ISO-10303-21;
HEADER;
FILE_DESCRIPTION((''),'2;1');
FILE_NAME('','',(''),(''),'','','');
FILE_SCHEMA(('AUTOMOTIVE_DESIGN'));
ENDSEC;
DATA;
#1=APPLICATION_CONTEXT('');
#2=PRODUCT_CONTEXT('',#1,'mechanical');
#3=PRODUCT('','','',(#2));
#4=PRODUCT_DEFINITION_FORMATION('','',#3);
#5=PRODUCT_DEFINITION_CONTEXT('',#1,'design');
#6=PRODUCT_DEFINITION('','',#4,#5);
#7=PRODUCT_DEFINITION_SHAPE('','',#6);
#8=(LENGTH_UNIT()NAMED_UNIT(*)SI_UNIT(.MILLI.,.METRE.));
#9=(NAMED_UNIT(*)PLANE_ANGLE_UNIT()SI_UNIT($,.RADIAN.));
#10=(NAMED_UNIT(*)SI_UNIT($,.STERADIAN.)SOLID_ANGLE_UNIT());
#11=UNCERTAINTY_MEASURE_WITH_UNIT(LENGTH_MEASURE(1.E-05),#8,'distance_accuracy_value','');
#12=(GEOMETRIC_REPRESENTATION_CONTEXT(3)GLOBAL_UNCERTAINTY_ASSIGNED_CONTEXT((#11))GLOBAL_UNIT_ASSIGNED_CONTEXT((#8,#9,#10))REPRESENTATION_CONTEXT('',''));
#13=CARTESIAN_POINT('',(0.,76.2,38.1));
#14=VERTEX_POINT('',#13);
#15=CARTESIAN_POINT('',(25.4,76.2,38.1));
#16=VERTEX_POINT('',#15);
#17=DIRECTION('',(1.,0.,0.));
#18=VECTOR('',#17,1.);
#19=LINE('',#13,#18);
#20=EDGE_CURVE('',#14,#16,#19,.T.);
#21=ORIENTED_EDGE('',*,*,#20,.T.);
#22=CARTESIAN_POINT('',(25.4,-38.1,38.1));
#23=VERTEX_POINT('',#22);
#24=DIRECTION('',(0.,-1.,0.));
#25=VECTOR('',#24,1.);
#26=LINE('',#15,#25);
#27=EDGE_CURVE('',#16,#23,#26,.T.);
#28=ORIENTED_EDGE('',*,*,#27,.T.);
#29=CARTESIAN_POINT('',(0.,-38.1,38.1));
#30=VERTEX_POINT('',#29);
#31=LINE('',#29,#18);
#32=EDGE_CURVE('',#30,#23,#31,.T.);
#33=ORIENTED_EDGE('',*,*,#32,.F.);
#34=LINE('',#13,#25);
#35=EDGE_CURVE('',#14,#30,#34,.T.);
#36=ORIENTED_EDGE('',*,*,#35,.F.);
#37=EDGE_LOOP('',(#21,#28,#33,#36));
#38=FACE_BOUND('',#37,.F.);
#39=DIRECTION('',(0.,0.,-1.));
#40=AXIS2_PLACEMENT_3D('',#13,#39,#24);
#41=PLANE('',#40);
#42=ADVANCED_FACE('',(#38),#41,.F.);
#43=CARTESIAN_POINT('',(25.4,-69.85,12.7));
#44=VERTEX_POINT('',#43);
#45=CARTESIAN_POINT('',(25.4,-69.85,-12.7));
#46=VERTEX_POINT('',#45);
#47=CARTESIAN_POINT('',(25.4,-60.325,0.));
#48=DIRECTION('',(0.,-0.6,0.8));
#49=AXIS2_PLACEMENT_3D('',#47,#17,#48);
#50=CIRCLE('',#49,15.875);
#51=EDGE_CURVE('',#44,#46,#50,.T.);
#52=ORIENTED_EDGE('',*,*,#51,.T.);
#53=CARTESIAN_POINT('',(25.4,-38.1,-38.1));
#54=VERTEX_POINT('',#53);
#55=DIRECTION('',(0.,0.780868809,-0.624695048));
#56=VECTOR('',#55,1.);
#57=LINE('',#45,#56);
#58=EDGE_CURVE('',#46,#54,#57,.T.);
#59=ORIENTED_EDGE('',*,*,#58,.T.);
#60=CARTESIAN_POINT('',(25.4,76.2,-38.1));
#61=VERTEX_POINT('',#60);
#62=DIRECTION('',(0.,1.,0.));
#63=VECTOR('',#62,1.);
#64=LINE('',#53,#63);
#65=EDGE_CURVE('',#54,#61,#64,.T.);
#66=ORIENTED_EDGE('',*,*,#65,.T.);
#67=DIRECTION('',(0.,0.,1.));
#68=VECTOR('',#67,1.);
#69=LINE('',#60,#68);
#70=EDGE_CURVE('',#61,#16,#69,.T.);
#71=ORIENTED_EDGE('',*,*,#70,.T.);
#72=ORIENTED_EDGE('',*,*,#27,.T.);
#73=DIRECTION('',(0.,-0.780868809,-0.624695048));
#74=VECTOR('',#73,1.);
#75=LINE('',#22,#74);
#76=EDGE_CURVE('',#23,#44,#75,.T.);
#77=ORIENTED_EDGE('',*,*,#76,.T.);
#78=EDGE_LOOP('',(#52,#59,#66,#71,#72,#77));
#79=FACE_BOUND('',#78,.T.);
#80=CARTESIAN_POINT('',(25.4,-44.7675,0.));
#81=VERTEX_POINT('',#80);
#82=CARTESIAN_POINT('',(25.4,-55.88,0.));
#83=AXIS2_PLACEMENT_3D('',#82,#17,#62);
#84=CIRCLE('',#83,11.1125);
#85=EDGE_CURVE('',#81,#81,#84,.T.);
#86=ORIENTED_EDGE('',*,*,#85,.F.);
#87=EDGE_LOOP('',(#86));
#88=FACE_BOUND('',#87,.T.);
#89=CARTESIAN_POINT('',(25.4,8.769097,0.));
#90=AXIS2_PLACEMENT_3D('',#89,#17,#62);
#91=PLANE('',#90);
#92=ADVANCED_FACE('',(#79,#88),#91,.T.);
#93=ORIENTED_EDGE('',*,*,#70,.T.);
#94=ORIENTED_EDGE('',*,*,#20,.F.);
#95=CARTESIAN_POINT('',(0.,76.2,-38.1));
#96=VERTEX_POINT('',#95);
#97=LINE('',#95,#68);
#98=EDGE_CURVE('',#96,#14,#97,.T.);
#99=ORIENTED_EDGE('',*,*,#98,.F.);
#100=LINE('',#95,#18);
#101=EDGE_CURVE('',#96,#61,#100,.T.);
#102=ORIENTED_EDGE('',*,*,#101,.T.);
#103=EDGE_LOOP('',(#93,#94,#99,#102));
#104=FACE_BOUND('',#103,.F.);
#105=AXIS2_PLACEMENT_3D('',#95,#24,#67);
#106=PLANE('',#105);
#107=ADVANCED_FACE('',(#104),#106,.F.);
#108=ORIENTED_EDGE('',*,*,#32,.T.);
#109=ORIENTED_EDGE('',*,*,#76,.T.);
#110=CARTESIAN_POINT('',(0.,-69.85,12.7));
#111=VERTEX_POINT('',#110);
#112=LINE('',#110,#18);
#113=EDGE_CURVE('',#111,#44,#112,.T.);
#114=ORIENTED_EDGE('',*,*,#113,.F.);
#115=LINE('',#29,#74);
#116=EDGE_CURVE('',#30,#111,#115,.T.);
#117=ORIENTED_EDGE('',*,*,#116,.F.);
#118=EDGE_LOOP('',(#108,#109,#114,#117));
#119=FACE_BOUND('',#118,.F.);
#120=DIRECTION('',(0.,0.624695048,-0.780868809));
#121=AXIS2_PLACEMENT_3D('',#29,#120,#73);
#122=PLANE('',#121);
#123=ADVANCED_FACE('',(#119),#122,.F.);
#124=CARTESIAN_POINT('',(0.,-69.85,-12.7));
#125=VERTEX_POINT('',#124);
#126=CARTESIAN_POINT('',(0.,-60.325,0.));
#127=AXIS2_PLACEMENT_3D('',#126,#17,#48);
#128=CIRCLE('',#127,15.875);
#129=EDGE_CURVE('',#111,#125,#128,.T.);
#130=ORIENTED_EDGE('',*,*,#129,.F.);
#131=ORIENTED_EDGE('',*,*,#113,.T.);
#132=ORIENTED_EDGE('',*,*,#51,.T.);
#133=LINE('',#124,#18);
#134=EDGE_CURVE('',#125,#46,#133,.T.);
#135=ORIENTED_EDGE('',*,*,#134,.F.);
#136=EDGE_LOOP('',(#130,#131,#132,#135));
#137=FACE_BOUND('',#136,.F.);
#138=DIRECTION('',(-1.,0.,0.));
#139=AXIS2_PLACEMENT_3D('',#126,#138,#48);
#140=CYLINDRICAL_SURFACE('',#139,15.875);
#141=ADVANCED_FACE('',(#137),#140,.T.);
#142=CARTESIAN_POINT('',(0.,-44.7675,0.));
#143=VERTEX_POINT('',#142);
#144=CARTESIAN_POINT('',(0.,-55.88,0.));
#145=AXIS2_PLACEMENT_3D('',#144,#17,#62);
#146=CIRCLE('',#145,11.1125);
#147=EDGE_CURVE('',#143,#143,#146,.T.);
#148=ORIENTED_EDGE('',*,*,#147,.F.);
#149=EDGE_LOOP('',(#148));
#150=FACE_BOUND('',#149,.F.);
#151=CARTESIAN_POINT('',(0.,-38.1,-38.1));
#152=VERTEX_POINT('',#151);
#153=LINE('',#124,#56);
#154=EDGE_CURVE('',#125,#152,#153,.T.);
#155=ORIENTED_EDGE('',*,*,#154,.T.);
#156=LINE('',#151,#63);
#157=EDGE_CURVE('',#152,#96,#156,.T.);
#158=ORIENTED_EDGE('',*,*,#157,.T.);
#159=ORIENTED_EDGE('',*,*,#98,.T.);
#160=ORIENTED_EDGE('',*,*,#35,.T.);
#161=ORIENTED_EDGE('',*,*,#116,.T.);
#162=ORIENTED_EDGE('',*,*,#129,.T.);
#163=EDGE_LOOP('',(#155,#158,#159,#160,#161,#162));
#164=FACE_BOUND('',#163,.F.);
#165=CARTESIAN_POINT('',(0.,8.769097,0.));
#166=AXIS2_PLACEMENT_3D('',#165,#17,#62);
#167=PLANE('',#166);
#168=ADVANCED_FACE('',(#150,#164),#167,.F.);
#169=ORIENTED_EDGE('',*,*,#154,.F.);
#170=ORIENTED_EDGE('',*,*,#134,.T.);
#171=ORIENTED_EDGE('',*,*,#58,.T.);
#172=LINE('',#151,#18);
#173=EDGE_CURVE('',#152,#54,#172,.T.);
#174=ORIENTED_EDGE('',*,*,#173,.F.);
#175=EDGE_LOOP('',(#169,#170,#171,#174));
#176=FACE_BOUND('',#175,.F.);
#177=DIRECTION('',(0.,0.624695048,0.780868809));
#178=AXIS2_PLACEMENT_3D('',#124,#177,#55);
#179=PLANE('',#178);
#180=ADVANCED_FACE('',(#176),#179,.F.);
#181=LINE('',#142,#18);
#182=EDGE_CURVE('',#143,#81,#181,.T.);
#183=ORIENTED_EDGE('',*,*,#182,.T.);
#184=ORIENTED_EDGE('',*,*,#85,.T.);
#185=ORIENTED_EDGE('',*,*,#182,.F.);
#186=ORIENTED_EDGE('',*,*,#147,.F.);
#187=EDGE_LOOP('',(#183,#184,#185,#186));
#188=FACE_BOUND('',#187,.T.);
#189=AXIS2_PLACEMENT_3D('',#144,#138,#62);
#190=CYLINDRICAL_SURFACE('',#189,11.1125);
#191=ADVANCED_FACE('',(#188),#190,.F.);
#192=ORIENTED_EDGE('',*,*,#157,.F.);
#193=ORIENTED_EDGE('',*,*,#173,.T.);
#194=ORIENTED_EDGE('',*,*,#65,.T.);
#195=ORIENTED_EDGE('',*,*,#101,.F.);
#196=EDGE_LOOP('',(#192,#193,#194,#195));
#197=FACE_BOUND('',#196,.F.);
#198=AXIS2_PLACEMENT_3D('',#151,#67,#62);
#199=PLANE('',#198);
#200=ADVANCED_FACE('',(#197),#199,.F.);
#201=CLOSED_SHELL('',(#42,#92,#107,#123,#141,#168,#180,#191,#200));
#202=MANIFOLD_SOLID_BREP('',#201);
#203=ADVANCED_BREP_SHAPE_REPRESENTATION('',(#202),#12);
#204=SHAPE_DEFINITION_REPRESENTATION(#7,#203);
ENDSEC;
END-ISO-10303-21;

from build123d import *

# Parameters (mm, degrees)
F0_R     = 11.1125
F1_DEPTH = 25.4


with BuildPart() as f1:
    # F0 (on Right) → F1 (new body)
    with BuildSketch(Plane.YZ):
        with BuildLine():
            Line((76.2, 38.1), (-38.1, 38.1))
            Line((-38.1, 38.1), (-69.85, 12.7))
            ThreePointArc((-69.85, 12.7), (-76.2, 0), (-69.85, -12.7))
            Line((-69.85, -12.7), (-38.1, -38.1))
            Line((-38.1, -38.1), (76.2, -38.1))
            Line((76.2, -38.1), (76.2, 38.1))
        make_face()
        with Locations((-55.88, 0)):
            Circle(F0_R, mode=Mode.SUBTRACT)
    extrude(amount=F1_DEPTH)


solid = f1.part
